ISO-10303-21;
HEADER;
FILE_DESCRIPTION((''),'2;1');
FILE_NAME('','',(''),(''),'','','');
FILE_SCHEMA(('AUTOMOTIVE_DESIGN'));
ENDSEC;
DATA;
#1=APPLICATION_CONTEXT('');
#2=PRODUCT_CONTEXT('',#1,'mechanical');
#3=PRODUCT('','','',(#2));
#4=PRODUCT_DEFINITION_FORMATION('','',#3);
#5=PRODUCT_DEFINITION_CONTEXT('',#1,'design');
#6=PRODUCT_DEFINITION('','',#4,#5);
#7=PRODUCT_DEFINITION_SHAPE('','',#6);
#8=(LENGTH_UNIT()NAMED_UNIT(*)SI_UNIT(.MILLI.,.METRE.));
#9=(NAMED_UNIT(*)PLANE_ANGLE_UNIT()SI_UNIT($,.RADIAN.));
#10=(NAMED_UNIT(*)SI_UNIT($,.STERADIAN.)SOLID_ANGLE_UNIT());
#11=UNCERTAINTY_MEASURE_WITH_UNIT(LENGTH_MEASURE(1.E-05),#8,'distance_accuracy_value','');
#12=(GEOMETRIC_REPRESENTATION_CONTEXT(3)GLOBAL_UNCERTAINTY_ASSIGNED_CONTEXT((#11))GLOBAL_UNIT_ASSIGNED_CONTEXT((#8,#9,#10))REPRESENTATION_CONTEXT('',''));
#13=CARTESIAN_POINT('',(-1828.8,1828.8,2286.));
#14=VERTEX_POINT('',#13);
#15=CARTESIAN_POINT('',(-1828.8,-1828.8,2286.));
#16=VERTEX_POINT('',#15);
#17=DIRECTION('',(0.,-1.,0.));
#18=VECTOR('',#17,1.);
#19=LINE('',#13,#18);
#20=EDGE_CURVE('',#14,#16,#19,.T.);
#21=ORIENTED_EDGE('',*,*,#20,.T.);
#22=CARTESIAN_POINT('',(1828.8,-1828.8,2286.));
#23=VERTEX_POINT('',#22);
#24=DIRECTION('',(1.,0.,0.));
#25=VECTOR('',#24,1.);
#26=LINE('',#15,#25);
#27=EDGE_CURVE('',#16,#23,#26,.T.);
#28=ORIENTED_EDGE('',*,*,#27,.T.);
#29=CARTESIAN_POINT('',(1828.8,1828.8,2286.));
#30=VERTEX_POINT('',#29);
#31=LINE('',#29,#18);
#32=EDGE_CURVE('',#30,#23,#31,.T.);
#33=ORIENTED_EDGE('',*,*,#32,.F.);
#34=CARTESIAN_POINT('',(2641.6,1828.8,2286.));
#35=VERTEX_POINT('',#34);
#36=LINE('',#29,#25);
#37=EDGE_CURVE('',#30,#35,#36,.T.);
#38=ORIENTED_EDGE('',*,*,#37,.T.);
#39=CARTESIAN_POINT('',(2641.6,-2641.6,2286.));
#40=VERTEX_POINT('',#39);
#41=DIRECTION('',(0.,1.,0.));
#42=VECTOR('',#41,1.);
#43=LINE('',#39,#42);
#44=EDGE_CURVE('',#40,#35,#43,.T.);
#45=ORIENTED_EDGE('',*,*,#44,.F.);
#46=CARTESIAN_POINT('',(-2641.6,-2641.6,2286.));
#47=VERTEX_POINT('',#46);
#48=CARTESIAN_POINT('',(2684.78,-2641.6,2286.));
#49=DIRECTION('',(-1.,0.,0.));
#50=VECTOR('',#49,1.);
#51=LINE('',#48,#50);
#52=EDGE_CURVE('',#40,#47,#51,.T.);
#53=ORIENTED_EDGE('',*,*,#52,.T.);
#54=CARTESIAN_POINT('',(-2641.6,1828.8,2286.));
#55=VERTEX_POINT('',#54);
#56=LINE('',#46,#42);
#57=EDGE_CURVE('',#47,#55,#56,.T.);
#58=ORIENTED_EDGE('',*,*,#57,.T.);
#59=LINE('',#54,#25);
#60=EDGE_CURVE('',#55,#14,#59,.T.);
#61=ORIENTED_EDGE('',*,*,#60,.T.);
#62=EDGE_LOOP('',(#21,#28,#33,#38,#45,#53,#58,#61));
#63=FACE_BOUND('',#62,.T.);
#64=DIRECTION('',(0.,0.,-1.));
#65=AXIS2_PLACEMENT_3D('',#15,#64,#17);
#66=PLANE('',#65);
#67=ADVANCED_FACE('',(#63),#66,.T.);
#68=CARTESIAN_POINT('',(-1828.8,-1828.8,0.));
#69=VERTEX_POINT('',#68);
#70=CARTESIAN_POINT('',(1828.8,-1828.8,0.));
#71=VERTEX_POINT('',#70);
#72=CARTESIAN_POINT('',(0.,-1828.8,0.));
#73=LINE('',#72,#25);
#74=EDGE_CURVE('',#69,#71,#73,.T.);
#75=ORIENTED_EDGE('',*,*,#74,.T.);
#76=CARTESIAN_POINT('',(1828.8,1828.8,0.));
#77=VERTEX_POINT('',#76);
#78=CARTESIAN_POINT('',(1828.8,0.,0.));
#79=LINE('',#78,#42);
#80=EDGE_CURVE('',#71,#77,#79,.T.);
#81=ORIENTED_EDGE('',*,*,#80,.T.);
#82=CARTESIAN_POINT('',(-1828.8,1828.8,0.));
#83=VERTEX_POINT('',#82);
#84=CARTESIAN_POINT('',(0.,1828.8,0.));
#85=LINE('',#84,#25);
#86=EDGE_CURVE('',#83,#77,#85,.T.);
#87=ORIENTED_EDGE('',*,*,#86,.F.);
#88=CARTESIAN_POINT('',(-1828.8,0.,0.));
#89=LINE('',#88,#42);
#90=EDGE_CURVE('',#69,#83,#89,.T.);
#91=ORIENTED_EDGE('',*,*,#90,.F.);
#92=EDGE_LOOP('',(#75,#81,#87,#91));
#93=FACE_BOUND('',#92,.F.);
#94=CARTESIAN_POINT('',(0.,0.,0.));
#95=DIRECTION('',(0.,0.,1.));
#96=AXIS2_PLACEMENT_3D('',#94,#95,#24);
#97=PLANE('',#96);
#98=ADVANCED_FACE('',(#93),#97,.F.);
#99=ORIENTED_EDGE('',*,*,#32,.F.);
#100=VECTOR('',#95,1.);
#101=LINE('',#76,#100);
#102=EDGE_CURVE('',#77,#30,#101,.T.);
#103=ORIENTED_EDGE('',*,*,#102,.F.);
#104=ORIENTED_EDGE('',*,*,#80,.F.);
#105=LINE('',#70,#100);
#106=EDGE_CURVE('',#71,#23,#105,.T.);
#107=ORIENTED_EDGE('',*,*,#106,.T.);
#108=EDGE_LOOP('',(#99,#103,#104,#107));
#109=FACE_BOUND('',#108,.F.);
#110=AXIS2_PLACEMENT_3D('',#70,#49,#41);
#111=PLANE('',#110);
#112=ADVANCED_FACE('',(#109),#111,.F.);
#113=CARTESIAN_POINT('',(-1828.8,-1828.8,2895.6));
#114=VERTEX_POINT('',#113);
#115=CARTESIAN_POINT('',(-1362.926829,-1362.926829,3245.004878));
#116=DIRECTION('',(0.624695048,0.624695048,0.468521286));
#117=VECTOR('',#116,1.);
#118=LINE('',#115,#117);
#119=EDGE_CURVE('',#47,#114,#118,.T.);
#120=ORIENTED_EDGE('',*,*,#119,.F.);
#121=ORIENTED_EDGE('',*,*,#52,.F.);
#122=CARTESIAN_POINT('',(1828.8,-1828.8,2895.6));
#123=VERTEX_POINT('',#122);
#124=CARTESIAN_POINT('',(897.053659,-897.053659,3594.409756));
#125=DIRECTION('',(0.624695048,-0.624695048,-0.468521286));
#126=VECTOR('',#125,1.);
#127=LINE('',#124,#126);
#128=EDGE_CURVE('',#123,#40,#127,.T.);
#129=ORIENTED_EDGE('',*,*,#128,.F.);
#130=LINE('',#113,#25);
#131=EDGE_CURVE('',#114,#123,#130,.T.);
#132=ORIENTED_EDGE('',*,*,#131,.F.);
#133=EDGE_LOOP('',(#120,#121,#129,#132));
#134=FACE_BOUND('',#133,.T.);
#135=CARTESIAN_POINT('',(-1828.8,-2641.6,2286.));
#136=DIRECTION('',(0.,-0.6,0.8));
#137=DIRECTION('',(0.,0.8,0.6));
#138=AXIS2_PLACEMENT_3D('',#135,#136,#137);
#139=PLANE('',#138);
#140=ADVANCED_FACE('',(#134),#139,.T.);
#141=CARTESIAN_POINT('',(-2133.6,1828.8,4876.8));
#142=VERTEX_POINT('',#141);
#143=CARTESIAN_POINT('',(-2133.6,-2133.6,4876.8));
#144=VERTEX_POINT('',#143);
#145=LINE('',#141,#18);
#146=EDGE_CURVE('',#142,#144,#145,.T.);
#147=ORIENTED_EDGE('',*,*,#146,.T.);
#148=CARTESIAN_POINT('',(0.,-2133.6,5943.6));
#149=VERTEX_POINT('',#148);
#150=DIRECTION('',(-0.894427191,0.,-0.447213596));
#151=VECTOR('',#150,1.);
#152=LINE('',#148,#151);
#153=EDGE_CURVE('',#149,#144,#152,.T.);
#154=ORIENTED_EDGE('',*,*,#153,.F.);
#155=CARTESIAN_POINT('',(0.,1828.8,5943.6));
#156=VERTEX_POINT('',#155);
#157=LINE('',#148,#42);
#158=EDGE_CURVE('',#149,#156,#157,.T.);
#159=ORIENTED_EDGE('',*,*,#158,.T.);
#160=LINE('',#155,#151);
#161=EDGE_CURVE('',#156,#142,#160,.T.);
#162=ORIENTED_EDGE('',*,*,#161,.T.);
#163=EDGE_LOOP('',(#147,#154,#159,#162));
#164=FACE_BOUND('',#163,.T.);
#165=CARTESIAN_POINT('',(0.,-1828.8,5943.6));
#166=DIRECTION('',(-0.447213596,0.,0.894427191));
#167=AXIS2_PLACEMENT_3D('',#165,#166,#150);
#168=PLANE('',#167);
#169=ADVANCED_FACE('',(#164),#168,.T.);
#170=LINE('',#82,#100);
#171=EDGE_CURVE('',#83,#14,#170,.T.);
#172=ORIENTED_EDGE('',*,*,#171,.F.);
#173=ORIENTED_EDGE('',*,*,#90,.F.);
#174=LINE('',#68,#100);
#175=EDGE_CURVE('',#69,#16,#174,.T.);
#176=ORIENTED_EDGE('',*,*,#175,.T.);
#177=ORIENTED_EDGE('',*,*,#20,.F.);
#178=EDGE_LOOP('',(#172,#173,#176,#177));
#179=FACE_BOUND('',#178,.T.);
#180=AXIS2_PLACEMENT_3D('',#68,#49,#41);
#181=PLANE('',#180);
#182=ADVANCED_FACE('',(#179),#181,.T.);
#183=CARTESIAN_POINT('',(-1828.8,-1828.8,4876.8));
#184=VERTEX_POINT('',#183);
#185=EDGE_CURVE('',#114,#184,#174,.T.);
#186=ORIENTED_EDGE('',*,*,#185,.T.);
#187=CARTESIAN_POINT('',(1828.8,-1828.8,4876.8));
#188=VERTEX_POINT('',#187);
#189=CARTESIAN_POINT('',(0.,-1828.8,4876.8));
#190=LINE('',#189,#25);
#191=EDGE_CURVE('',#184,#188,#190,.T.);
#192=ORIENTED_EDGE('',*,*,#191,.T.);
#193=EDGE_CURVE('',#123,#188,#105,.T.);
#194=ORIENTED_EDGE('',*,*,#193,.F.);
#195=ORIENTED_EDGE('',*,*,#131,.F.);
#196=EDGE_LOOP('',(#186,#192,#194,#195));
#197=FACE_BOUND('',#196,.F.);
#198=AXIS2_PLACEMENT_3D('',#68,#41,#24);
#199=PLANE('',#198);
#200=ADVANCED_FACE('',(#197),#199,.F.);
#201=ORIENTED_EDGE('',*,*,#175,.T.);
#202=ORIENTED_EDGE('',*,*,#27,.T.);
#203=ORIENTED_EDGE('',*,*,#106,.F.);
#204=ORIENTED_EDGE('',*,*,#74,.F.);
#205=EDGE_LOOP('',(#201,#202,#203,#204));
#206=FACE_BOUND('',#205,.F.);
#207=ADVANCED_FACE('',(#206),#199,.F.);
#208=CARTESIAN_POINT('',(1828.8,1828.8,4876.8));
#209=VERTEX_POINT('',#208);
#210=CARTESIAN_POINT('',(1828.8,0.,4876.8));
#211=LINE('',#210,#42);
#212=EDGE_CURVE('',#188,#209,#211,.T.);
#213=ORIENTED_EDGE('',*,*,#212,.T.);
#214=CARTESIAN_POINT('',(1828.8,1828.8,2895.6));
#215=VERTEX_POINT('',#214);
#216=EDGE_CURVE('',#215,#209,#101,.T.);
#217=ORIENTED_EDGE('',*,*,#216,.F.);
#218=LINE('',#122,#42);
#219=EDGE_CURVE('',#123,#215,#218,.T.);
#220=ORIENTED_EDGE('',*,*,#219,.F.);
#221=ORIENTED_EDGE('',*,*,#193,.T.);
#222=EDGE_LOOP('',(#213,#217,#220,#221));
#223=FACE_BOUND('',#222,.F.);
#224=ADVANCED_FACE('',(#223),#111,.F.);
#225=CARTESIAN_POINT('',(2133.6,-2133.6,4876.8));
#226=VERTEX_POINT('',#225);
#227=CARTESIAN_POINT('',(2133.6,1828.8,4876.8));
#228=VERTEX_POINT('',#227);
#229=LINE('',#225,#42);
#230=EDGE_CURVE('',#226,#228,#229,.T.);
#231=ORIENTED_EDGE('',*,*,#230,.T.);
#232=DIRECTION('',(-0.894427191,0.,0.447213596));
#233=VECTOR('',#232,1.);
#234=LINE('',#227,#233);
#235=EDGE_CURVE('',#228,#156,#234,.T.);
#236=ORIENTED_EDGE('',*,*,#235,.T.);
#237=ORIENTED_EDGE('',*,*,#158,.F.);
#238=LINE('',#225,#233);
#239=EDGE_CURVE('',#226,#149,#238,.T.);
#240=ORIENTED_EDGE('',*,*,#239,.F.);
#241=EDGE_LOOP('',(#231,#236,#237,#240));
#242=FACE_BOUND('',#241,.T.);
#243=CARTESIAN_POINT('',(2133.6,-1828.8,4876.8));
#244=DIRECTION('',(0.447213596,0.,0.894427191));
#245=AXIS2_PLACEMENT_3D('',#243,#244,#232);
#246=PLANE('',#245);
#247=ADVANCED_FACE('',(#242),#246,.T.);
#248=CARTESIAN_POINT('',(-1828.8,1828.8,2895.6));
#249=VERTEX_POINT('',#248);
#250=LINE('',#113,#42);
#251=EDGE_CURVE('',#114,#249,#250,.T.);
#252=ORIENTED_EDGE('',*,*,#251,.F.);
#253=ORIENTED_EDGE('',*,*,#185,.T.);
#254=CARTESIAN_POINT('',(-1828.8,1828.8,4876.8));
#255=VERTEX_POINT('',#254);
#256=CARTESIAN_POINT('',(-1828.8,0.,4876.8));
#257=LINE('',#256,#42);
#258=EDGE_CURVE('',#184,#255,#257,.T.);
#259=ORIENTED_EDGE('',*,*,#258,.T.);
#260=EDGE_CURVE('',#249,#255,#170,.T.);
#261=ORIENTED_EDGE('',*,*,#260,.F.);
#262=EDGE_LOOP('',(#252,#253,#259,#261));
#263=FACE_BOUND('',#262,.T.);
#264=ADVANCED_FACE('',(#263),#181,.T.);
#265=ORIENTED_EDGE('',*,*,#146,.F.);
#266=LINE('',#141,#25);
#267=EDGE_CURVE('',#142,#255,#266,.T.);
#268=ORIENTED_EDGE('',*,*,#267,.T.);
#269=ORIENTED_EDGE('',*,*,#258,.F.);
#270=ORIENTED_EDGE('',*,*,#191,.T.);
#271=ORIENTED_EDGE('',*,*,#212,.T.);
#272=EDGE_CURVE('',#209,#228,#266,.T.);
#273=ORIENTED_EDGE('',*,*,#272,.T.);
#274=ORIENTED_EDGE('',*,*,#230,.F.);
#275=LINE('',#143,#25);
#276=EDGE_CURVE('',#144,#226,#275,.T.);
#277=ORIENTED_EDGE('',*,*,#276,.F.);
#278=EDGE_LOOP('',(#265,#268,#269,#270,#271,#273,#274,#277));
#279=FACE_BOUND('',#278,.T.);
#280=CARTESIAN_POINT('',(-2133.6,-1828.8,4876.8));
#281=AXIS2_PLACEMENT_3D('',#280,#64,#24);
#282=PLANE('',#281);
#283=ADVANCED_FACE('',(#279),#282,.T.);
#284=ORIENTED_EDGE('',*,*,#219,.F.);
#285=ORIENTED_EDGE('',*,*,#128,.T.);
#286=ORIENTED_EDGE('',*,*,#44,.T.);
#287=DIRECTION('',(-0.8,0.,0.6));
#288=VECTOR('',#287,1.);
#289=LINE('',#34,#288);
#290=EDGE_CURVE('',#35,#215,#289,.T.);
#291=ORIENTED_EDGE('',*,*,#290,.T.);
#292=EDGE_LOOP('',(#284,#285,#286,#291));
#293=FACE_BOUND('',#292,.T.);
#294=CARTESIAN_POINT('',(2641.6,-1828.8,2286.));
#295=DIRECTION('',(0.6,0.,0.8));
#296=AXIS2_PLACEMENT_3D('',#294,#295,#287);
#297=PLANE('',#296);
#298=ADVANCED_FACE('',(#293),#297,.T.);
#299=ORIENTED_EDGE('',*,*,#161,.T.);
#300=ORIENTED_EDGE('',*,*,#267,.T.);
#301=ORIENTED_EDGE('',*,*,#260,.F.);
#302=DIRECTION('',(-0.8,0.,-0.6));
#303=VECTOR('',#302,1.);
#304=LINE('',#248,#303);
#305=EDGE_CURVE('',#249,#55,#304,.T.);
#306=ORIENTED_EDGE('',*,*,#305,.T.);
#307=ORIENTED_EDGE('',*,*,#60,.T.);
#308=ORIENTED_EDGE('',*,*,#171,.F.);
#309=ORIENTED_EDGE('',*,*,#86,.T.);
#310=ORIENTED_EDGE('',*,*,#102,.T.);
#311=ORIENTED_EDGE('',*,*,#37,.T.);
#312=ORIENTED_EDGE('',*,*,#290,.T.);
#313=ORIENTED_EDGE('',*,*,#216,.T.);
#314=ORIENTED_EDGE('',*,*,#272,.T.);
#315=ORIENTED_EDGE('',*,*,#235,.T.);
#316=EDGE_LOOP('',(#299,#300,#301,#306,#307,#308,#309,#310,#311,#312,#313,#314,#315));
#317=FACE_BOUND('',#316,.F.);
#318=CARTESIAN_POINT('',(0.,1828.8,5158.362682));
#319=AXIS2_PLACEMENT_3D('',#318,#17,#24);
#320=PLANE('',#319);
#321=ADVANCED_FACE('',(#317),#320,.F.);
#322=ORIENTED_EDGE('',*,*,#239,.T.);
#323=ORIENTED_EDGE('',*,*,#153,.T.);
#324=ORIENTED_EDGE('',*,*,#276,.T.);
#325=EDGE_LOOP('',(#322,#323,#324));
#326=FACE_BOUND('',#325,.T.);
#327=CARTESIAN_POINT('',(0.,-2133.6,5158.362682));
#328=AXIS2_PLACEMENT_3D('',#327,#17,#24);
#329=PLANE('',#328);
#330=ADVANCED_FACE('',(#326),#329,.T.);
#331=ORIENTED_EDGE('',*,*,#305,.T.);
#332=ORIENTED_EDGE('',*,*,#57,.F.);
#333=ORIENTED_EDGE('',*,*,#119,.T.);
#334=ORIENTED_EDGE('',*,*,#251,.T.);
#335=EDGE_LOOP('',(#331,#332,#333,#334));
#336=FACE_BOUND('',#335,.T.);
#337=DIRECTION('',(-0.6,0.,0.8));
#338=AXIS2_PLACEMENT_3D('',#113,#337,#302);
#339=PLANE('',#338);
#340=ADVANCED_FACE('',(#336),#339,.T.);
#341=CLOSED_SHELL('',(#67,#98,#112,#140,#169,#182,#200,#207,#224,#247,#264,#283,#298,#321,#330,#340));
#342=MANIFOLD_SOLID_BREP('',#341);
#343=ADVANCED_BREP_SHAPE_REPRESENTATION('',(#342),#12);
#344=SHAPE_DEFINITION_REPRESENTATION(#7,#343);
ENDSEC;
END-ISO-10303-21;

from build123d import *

# Parameters (mm, degrees)
F0_W          = 3657.6
F0_H          = 3657.6
F1_DEPTH      = 4876.8
F3_DEPTH      = 304.8
F3_DEPTH_BACK = 3657.6
F5_DEPTH      = 3657.6
F5_DEPTH_BACK = 1092.2
F7_DEPTH      = 871.22
F7_DEPTH_BACK = 4513.58
F9_DEPTH      = 5384.801
F11_DEPTH     = 4470.401


with BuildPart() as f1:
    # F0 (on Top) → F1 (new body)
    with BuildSketch(Plane.XY):
        Rectangle(F0_W, F0_H)
    extrude(amount=F1_DEPTH)

    # F2 (on face) → F3 (join, two sides)
    with BuildSketch(Plane.XZ.offset(1828.8)) as f3_sk:
        Polygon((0, 5943.6), (-2133.6, 4876.8), (2133.6, 4876.8), align=None)
    extrude(amount=F3_DEPTH)
    extrude(f3_sk.sketch, amount=-F3_DEPTH_BACK)

    # F4 (on face) → F5 (join, two sides)
    with BuildSketch(Plane.XZ.offset(1828.8)) as f5_sk:
        Polygon((-1828.8, 2286), (-1828.8, 2895.6), (-2641.6, 2286), align=None)
        Polygon((2641.6, 2286), (1828.8, 2895.6), (1828.8, 2286), align=None)
    extrude(amount=-F5_DEPTH)
    extrude(f5_sk.sketch, amount=-F5_DEPTH_BACK)

    # F6 (on face) → F7 (join, two sides)
    with BuildSketch(Plane(origin=(-1828.8, 0, 0), x_dir=(0, -1, 0), z_dir=(-1, 0, 0))) as f7_sk:
        Polygon((1828.8, 2895.6), (1828.8, 2286), (2641.6, 2286), align=None)
    extrude(amount=F7_DEPTH)
    extrude(f7_sk.sketch, amount=-F7_DEPTH_BACK)

    # F8 (on face) → F9 (cut, through all)
    with BuildSketch(Plane(origin=(-2700.02, 0, 0), x_dir=(0, -1, 0), z_dir=(-1, 0, 0))):
        Polygon((3195.674896, 2895.6), (1828.8, 2895.6), (2641.6, 2286), (3195.674896, 2286), align=None)
    extrude(amount=-F9_DEPTH, mode=Mode.SUBTRACT)

    # F10 (on face) → F11 (cut, through all)
    with BuildSketch(Plane(origin=(0, 1828.8, 0), x_dir=(-1, 0, 0), z_dir=(0, 1, 0))):
        Polygon((-2641.6, 2286), (-1828.8, 2895.6), (-2902.575731, 2895.6), (-2902.575731, 2286), align=None)
        Polygon((2902.575731, 2286), (2902.575731, 2895.6), (1828.8, 2895.6), (2641.6, 2286), align=None)
    extrude(amount=-F11_DEPTH, mode=Mode.SUBTRACT)


solid = f1.part
